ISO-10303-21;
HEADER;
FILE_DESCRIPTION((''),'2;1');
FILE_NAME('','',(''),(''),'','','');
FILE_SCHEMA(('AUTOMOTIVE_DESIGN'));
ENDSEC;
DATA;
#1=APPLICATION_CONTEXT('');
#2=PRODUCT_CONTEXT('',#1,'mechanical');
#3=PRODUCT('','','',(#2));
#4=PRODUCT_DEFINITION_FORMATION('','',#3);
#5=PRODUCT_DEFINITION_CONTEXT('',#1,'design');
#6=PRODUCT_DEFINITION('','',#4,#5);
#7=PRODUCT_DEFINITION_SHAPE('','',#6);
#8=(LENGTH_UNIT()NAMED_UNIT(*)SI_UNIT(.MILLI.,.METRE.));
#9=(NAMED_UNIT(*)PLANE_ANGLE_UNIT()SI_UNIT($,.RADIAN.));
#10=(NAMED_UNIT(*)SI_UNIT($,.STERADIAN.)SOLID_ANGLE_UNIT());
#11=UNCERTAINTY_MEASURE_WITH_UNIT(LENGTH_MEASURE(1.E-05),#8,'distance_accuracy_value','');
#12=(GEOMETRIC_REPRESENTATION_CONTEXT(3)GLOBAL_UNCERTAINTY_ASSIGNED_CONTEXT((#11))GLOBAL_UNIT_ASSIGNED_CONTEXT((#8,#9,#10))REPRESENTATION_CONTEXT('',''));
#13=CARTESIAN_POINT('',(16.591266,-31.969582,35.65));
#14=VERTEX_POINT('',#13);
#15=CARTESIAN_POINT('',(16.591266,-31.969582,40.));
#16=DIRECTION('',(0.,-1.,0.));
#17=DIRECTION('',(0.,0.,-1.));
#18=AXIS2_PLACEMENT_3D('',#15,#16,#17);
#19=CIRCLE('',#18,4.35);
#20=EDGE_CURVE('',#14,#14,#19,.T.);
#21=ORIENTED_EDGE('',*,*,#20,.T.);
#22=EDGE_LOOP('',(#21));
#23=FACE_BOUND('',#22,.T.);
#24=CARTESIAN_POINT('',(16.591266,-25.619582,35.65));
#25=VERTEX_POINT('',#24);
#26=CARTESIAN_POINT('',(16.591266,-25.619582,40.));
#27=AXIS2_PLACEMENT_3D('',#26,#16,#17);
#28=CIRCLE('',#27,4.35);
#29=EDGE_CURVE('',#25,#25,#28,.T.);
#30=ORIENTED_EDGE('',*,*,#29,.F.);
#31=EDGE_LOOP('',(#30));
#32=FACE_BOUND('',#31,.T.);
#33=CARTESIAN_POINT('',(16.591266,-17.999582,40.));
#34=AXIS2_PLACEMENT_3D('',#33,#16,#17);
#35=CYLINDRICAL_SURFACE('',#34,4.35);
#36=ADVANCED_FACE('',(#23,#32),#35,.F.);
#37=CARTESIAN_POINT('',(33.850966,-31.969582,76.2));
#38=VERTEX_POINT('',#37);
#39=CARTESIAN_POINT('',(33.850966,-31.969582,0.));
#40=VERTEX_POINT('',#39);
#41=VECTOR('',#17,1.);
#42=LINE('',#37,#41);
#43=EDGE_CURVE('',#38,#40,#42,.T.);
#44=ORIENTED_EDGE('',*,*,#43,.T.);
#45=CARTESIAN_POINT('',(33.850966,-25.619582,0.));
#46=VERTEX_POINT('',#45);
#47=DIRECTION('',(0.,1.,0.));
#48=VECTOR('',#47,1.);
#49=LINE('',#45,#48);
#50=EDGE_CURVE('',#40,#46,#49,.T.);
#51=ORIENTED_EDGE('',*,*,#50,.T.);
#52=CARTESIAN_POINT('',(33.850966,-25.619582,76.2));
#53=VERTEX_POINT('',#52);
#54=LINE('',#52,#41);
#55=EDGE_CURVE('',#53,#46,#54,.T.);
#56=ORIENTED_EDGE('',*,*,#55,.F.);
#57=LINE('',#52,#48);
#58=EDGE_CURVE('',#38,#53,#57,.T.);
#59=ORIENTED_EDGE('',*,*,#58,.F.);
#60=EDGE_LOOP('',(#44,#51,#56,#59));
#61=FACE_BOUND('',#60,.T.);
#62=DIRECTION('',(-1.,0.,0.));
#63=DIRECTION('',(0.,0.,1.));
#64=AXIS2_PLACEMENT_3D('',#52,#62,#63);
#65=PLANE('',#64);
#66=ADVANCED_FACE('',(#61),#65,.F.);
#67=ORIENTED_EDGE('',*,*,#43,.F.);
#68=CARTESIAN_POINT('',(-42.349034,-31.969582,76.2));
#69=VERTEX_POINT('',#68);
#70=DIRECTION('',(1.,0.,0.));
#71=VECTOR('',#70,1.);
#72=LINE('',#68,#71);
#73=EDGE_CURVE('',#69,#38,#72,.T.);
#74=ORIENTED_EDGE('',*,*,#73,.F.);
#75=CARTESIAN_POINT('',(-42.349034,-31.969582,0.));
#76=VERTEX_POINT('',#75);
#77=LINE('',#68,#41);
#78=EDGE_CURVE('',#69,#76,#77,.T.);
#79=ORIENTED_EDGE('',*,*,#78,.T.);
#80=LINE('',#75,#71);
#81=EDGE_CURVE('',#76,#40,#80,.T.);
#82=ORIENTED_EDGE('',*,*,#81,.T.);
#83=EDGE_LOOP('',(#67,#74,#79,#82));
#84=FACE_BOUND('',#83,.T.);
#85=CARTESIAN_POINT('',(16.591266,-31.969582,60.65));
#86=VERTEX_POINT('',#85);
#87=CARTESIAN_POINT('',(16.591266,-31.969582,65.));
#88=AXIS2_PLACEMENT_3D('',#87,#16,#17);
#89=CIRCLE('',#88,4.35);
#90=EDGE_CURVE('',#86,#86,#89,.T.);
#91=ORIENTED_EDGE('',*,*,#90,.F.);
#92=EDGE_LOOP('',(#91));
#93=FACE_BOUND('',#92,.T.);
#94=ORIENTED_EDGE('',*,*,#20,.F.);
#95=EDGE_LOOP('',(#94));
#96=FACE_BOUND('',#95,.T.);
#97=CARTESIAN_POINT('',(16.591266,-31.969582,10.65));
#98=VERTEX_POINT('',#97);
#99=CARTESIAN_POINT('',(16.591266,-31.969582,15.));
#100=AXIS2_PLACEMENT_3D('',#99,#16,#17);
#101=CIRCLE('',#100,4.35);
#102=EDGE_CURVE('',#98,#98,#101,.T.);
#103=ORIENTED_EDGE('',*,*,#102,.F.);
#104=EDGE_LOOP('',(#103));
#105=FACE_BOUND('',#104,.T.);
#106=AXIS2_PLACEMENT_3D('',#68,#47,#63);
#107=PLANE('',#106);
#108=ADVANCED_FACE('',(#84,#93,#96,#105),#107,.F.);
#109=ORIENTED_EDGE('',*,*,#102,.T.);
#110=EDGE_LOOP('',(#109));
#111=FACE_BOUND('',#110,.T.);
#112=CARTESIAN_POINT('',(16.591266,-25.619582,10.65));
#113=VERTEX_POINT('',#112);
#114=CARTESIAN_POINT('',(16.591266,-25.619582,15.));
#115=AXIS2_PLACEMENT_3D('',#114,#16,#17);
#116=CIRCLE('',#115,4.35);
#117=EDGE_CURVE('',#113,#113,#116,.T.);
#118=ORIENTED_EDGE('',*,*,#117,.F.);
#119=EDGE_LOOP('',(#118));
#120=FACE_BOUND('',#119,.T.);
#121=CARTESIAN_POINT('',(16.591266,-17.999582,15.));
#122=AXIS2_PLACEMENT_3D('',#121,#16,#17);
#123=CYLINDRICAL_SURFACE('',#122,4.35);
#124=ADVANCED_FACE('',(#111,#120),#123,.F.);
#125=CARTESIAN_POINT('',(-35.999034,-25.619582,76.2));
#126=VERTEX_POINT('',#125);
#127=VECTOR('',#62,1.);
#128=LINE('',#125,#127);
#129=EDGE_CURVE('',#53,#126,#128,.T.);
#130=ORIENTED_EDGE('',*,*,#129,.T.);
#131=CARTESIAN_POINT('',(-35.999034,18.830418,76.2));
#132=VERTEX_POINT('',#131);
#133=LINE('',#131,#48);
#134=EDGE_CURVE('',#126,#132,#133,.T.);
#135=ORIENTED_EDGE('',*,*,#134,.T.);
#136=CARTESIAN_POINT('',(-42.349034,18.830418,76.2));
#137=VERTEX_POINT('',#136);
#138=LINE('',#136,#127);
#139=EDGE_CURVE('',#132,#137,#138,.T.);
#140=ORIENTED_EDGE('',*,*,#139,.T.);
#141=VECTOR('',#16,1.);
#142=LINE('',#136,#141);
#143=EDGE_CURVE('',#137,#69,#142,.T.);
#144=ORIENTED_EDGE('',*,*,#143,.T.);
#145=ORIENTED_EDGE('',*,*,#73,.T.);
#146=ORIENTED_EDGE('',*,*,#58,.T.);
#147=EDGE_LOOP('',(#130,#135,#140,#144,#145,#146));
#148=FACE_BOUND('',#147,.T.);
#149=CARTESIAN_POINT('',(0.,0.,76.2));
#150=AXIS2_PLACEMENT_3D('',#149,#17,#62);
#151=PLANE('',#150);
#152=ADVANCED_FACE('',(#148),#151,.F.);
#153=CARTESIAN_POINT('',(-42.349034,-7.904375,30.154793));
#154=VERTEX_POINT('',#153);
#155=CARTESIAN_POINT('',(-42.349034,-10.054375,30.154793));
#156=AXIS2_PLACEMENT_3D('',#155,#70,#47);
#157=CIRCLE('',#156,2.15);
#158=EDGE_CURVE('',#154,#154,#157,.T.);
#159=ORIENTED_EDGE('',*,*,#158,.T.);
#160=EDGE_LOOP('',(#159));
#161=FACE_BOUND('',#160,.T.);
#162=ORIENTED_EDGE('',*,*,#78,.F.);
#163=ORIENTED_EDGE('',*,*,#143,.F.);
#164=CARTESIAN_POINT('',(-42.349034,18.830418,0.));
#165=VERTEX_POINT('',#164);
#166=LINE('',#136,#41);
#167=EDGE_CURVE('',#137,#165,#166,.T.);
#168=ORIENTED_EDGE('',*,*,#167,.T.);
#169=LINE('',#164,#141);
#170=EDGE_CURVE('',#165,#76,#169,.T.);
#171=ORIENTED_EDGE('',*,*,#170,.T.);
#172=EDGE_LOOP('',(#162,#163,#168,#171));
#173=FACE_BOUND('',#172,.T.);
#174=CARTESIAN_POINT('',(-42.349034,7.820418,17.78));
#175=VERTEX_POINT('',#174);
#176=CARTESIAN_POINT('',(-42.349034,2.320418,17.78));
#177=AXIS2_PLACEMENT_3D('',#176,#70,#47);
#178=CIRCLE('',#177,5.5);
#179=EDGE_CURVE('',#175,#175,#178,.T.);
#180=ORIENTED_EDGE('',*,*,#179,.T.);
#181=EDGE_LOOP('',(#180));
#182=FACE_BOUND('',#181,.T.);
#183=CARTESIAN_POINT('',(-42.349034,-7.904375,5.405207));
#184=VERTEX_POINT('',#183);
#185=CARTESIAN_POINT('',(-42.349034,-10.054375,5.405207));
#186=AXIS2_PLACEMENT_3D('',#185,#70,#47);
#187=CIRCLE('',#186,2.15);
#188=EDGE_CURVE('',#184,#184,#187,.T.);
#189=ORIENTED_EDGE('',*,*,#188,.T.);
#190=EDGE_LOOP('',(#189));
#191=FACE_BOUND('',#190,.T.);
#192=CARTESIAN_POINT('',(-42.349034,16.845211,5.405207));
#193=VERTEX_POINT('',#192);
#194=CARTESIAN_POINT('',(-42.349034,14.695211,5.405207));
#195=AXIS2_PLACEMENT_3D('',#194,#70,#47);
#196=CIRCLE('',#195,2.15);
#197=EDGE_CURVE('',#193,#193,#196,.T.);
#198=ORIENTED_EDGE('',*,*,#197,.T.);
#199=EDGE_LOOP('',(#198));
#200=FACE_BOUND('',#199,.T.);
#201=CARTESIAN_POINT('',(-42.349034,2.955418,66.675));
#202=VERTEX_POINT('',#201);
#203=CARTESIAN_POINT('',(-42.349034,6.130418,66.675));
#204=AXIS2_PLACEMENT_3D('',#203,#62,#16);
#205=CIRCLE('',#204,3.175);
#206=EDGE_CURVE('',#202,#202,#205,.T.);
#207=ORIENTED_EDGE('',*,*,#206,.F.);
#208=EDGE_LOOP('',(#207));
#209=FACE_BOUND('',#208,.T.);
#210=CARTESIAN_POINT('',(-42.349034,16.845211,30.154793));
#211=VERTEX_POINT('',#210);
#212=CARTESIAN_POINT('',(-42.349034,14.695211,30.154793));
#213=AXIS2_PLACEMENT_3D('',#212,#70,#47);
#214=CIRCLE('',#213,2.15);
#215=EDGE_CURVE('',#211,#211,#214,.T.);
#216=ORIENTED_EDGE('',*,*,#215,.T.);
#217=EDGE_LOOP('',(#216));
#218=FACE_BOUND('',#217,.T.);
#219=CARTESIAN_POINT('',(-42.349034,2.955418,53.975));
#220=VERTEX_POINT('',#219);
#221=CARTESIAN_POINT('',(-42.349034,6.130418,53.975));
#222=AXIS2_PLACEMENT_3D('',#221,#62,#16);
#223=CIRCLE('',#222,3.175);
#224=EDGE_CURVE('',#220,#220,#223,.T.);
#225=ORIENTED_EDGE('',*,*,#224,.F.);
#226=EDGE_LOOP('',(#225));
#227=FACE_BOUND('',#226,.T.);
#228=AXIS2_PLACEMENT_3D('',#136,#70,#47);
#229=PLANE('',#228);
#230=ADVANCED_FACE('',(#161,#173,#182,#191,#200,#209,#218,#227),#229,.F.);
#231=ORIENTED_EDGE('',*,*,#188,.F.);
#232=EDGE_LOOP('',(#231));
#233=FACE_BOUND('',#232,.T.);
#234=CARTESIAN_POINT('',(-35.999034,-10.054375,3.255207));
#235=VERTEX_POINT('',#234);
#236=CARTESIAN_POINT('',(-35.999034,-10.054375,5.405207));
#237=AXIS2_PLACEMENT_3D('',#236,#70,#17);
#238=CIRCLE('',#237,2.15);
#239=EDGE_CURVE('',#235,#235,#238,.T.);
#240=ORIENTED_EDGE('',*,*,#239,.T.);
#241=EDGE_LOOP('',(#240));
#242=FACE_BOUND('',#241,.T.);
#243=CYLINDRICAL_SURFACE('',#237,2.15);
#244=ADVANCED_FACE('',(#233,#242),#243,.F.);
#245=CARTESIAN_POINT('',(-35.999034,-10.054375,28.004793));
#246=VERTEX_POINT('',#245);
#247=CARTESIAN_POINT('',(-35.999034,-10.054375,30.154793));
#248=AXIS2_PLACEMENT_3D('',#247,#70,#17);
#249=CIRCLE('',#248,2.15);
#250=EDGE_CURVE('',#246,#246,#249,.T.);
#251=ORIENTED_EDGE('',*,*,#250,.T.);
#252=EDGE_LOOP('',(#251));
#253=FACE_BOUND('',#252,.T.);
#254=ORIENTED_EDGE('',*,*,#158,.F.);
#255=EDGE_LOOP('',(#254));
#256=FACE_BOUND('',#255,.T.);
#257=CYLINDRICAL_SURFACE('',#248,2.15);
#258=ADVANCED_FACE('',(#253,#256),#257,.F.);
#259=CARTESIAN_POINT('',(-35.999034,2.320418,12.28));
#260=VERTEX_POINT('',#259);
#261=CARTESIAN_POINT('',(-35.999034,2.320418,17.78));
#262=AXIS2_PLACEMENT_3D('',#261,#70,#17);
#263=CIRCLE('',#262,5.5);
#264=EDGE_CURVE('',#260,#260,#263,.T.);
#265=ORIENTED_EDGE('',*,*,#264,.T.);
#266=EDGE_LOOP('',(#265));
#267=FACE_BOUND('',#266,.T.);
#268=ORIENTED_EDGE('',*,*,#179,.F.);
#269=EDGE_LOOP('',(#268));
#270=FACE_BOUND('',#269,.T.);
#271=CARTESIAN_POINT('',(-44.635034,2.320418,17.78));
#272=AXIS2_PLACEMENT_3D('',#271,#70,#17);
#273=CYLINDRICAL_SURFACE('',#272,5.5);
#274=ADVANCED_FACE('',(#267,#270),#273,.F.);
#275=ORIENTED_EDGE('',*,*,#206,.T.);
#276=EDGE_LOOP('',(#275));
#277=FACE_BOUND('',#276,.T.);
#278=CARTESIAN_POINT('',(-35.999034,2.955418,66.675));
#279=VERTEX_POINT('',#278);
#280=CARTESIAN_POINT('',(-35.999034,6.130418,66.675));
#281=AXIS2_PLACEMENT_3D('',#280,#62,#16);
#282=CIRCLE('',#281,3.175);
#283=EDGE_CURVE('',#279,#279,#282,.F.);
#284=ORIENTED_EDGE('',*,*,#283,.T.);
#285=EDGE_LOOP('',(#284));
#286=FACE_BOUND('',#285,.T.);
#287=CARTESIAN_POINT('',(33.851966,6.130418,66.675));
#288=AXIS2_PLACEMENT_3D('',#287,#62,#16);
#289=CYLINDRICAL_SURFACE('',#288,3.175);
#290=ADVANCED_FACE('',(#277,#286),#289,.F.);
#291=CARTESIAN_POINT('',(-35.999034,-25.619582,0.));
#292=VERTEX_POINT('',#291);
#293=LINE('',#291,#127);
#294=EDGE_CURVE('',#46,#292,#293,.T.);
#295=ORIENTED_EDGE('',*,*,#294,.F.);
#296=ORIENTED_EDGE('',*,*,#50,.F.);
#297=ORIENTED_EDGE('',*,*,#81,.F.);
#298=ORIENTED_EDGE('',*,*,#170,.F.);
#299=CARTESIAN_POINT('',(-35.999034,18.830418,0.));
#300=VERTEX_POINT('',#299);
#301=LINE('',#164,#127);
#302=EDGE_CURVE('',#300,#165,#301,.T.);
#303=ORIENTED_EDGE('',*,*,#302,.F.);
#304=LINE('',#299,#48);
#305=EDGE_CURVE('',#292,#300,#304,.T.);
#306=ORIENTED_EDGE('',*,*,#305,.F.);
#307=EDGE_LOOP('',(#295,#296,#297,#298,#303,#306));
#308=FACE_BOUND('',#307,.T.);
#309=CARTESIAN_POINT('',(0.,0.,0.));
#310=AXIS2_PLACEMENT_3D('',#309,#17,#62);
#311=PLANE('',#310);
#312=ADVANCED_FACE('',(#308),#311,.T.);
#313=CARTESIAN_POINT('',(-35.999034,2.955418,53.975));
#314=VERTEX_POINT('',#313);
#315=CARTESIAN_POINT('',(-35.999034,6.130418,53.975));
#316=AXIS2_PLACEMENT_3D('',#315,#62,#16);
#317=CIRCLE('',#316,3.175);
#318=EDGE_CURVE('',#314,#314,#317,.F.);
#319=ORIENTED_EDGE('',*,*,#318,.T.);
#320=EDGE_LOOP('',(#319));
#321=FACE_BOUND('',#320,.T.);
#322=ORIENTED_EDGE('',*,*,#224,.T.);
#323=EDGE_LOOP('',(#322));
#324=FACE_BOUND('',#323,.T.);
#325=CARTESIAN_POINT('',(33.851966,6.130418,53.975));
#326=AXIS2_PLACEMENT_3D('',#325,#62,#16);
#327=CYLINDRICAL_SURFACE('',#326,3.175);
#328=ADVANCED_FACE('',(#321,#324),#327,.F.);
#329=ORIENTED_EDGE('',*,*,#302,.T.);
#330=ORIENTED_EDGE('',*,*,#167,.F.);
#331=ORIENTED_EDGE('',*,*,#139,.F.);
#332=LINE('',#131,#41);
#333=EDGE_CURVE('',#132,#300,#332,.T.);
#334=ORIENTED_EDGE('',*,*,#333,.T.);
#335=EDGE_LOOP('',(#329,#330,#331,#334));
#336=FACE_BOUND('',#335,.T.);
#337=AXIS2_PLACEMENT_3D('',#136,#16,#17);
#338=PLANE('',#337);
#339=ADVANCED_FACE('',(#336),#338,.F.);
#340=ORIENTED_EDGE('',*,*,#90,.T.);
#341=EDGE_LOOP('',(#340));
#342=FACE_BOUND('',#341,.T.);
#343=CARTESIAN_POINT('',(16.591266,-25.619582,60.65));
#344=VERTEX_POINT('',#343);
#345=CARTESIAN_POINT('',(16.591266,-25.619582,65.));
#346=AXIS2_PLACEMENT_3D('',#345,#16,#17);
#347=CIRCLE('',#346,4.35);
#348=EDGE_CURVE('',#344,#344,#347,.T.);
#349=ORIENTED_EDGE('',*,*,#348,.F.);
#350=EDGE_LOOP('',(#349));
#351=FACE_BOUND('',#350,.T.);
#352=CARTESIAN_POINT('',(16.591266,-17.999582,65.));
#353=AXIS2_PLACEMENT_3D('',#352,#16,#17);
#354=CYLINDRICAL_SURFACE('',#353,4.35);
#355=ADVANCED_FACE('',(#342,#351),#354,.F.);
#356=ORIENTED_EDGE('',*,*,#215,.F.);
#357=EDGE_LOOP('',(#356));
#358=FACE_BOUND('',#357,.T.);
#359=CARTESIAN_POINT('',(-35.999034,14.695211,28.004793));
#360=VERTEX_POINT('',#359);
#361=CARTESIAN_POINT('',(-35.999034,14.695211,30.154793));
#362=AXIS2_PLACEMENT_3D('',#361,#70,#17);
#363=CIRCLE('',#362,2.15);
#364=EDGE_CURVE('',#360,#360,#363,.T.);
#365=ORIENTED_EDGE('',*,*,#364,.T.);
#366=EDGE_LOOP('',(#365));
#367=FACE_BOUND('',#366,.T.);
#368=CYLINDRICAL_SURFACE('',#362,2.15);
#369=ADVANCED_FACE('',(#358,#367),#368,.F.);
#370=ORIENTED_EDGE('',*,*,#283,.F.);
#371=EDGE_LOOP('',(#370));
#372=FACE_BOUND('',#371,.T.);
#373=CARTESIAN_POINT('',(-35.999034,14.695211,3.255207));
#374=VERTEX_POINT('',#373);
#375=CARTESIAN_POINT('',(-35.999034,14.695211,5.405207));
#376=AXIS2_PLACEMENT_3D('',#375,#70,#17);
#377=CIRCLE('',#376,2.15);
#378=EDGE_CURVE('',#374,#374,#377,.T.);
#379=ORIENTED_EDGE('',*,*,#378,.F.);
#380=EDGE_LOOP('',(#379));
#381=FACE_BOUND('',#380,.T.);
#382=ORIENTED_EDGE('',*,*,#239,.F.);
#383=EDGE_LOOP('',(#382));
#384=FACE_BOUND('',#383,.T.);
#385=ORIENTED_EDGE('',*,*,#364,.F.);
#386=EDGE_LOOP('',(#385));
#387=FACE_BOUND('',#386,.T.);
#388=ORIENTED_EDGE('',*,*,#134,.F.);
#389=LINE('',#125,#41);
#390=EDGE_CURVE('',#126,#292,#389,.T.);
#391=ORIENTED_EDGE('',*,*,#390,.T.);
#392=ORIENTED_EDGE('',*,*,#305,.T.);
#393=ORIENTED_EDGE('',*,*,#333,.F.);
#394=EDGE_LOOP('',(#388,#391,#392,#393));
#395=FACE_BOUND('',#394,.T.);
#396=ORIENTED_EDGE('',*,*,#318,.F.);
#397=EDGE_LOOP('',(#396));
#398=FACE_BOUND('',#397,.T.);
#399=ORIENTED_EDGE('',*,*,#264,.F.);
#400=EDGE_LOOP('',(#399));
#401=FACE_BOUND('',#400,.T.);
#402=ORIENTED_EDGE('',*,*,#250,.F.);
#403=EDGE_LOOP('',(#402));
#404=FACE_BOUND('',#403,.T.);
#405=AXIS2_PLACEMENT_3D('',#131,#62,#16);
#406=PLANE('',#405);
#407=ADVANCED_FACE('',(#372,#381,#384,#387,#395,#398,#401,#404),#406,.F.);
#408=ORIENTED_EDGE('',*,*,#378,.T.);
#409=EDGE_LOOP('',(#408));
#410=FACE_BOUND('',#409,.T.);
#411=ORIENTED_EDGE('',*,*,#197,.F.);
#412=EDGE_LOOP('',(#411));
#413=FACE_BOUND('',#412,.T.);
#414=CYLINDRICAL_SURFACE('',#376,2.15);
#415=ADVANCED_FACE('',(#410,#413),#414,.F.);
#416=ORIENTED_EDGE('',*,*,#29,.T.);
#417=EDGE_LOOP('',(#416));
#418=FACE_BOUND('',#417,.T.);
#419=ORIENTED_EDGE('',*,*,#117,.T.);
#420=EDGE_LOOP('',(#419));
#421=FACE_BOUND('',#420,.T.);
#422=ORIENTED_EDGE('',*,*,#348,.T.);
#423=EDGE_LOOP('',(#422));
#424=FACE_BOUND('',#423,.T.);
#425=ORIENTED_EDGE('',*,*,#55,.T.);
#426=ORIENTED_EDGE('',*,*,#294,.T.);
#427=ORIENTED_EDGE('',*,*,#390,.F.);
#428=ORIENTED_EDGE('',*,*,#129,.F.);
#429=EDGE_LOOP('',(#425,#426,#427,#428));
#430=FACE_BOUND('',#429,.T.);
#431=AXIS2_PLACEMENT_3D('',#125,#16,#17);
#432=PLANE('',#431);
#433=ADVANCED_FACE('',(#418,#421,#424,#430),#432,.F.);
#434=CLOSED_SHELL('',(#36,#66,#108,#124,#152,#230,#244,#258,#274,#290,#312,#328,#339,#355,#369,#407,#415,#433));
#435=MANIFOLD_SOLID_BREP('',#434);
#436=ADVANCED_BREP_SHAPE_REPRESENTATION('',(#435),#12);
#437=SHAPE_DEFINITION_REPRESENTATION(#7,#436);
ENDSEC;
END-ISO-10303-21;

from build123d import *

# Parameters (mm, degrees)
BOSS_EXTRUDE1_DEPTH  = 76.2
M4_CLEARANCE_HOLE1_D = 4.3
SKETCH2_R            = 5.5
CUT_EXTRUDE1_DEPTH   = 8.636
SKETCH6_R            = 4.35
CUT_EXTRUDE2_DEPTH   = 13.97
CUT_EXTRUDE3_REACH   = 114.405
SKETCH7_R            = 3.175


with BuildPart() as part:
    # Sketch1 → Boss-Extrude1 (new body)
    with BuildSketch(Plane.XY):
        Polygon((-35.999033751, 18.830418264), (-35.999033751, -25.619581736), (33.850966249, -25.619581736), (33.850966249, -31.969581736), (-42.349033751, -31.969581736), (-42.349033751, 18.830418264), align=None)
    extrude(amount=BOSS_EXTRUDE1_DEPTH)

    # M4 Clearance Hole1 (through all)
    with Locations(Plane(origin=(-35.999033751, 0, 0), x_dir=(0, 0, -1), z_dir=(1, 0, 0))):
        with Locations((-30.154792935, 14.695211199), (-30.154792935, -10.054374671), (-5.405207065, -10.054374671), (-5.405207065, 14.695211199)):
            Hole(M4_CLEARANCE_HOLE1_D / 2)

    # Sketch2 → Cut-Extrude1 (cut)
    with BuildSketch(Plane(origin=(-35.999033751, 0, 0), x_dir=(0, 0, -1), z_dir=(1, 0, 0))):
        with Locations((-17.78, 2.320418264)):
            Circle(SKETCH2_R)
    extrude(amount=-CUT_EXTRUDE1_DEPTH, mode=Mode.SUBTRACT)

    # Sketch6 → Cut-Extrude2 (cut)
    with BuildSketch(Plane.XZ.offset(31.969581736)):
        with Locations(Location((16.591266249, 65, 0), (0, 0, 270))):
            Circle(SKETCH6_R)
        with Locations(Location((16.591266249, 15, 0), (0, 0, 270))):
            Circle(SKETCH6_R)
        with Locations(Location((16.591266249, 40, 0), (0, 0, 270))):
            Circle(SKETCH6_R)
    extrude(amount=-CUT_EXTRUDE2_DEPTH, mode=Mode.SUBTRACT)

    # Sketch7 → Cut-Extrude3 (cut, up to next)
    with BuildSketch(Plane.ZY.offset(42.349033751), mode=Mode.PRIVATE) as cut_extrude3_sk1:
        with Locations(Location((53.975, 6.130418264, 0), (0, 0, 270))):
            Circle(SKETCH7_R)
    cut_extrude3_tool1 = extrude(cut_extrude3_sk1.sketch, amount=-CUT_EXTRUDE3_REACH, mode=Mode.PRIVATE) & part.part
    # Sketch7 → Cut-Extrude3 (cut, up to next)
    with BuildSketch(Plane.ZY.offset(42.349033751), mode=Mode.PRIVATE) as cut_extrude3_sk2:
        with Locations(Location((66.675, 6.130418264, 0), (0, 0, 270))):
            Circle(SKETCH7_R)
    cut_extrude3_tool2 = extrude(cut_extrude3_sk2.sketch, amount=-CUT_EXTRUDE3_REACH, mode=Mode.PRIVATE) & part.part
    add(cut_extrude3_tool1.solids().sort_by_distance((-42.349034, 6.130418, 53.975))[0], mode=Mode.SUBTRACT)
    add(cut_extrude3_tool2.solids().sort_by_distance((-42.349034, 6.130418, 66.675))[0], mode=Mode.SUBTRACT)


solid = part.part
